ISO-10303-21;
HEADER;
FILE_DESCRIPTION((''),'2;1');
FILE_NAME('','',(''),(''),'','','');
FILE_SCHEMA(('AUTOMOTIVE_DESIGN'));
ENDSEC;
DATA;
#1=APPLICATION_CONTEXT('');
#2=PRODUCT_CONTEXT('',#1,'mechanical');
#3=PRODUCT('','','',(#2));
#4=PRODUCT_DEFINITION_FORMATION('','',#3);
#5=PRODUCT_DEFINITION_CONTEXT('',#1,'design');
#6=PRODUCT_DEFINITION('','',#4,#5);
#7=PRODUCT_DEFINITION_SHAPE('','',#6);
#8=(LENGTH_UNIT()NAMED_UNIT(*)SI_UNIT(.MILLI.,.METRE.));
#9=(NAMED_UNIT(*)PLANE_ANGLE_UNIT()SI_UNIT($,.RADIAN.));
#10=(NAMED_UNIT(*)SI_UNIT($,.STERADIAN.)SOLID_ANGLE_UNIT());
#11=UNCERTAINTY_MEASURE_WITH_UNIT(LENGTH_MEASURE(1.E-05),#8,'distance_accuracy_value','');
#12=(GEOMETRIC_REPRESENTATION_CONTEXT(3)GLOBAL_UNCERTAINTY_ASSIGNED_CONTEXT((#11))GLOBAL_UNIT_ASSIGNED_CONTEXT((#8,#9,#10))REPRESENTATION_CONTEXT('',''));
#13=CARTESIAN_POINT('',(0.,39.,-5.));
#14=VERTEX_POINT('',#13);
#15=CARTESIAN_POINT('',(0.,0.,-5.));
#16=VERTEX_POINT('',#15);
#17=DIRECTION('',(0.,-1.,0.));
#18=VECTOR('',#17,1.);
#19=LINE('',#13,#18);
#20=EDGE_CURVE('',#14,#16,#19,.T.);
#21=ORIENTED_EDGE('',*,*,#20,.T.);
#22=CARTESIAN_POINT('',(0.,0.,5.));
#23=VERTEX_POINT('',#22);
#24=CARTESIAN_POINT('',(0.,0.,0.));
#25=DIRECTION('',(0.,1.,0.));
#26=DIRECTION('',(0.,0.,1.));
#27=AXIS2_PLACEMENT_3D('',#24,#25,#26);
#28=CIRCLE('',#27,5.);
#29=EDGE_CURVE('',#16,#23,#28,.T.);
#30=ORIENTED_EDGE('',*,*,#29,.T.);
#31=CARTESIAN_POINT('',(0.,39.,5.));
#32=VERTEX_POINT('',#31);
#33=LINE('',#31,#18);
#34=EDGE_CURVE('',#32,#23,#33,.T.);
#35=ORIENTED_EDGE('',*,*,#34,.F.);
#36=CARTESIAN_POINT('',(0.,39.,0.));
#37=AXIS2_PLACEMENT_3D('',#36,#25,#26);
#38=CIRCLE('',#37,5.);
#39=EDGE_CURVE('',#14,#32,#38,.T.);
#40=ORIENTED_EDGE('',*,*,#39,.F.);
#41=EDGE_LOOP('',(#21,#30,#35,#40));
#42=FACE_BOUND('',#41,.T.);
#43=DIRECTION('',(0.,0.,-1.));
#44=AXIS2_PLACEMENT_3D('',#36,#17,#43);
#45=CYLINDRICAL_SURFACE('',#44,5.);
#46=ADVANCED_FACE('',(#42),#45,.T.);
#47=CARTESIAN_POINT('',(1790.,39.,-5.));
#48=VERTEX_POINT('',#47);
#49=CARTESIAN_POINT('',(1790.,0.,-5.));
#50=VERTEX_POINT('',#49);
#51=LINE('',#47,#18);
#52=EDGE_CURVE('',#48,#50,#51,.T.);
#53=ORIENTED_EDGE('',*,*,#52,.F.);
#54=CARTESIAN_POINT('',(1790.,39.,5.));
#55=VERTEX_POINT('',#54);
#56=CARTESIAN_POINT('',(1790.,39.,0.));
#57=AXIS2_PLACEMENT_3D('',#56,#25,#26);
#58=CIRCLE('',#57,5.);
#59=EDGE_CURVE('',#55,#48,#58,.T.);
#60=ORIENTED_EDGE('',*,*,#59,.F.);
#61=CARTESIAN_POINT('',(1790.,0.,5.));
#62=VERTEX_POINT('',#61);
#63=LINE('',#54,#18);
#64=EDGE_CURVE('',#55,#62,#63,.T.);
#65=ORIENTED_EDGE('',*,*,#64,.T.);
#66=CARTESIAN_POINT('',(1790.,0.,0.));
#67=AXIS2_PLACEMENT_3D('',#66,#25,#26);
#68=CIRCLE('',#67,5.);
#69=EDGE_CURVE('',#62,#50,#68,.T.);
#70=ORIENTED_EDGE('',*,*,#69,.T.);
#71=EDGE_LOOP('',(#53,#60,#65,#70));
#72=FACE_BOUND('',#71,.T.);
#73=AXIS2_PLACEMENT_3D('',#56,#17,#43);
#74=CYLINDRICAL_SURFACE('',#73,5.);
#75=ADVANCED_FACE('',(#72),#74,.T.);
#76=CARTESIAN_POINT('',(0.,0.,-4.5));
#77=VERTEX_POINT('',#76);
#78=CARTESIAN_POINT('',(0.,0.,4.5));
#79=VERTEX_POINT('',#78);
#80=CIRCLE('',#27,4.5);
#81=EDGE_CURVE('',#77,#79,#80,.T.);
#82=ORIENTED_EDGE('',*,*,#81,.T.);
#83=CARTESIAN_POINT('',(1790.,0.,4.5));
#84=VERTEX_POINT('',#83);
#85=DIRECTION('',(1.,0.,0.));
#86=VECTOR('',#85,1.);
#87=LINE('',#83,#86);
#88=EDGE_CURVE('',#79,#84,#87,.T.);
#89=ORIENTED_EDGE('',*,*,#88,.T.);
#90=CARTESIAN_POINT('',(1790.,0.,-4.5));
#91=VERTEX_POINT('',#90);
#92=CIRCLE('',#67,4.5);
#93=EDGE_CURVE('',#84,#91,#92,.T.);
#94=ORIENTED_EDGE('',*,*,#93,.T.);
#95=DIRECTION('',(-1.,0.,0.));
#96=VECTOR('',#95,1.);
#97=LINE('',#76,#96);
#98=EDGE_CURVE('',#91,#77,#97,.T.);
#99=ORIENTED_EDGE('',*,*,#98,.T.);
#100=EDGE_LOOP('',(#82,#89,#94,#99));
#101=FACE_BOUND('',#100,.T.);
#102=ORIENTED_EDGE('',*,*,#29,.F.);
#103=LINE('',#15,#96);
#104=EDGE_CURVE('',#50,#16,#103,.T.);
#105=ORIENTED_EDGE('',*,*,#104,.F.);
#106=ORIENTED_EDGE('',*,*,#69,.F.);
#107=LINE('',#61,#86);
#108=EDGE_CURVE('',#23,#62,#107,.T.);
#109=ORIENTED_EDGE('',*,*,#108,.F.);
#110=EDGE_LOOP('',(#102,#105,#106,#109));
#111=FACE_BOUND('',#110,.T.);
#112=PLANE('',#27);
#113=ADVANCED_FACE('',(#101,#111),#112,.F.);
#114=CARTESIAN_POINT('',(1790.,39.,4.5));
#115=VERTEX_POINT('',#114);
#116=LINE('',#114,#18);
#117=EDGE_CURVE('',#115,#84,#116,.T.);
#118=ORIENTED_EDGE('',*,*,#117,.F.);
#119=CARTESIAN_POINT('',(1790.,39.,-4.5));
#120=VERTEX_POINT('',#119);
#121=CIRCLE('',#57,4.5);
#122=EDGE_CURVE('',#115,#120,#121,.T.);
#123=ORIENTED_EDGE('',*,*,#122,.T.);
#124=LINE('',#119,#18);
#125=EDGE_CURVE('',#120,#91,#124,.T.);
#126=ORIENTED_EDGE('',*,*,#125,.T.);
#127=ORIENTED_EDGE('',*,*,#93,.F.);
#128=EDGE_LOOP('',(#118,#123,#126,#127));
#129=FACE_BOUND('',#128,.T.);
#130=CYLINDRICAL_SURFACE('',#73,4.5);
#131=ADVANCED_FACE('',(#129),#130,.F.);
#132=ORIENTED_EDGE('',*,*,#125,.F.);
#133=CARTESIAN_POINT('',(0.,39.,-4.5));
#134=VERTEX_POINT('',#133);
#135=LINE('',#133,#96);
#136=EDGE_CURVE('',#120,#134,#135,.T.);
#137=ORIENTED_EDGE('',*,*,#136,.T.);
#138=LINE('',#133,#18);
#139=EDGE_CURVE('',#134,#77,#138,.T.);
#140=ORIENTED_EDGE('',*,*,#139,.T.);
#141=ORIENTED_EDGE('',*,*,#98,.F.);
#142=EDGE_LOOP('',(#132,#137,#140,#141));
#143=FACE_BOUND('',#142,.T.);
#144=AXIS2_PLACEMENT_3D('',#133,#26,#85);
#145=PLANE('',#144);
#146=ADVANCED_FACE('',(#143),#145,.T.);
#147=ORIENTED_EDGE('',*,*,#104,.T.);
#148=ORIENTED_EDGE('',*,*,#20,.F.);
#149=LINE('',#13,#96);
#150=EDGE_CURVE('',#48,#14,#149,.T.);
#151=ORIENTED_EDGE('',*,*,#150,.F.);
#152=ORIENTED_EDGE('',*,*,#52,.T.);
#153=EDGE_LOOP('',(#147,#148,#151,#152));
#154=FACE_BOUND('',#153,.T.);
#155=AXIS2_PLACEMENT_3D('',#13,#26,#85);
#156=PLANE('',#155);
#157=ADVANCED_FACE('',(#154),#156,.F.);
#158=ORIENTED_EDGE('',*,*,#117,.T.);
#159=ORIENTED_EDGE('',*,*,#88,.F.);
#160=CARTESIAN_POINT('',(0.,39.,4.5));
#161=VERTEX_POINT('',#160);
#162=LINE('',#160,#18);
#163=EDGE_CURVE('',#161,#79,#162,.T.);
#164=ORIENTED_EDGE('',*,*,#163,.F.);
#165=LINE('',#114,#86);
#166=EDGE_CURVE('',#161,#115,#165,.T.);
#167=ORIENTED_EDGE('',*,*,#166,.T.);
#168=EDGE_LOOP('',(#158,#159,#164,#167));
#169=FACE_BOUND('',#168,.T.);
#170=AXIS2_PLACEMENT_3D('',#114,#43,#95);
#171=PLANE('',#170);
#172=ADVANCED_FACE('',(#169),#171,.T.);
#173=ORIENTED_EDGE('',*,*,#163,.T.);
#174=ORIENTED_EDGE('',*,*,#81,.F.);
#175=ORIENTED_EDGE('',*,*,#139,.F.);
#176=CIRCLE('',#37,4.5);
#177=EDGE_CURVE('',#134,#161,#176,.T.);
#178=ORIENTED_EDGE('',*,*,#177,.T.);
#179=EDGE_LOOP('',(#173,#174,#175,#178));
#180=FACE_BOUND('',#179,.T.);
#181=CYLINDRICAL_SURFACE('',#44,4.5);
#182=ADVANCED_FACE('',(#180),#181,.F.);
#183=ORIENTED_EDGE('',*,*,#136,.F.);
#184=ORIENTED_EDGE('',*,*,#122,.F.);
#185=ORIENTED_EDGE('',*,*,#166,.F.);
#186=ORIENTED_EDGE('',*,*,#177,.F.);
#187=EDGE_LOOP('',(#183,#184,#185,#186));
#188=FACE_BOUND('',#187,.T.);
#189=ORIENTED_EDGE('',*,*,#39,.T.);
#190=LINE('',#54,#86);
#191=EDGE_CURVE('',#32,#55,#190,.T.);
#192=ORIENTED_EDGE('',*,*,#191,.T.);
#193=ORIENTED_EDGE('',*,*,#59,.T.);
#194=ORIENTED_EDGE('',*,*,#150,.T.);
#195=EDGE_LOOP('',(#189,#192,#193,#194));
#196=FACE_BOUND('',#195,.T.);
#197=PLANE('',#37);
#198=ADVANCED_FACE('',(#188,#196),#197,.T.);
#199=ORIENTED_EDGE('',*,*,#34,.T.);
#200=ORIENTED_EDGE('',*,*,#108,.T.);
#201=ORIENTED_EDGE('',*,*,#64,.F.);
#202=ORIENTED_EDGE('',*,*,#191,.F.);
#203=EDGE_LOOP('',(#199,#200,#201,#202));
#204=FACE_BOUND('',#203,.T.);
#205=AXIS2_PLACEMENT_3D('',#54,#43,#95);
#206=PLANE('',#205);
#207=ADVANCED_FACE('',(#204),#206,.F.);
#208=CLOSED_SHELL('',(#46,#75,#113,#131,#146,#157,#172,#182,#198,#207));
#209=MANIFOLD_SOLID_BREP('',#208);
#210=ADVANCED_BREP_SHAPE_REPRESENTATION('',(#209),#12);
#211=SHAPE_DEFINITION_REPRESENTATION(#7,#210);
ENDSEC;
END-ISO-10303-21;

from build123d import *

# Parameters (mm, degrees)
EXTRUDE_1_DEPTH = 39


with BuildPart() as part:
    # 草图1 → 凸台-拉伸1 (new body)
    with BuildSketch(Plane(origin=(0, 0, 0), x_dir=(1, 0, 0), z_dir=(0, 1, 0))):
        with BuildLine():
            Line((0, 5), (1790, 5))
            ThreePointArc((1790, 5), (1795, 0), (1790, -5))
            Line((1790, -5), (0, -5))
            ThreePointArc((0, -5), (-5, 0), (0, 5))
        make_face()
        with BuildLine():
            Line((0, 4.5), (1790, 4.5))
            ThreePointArc((1790, 4.5), (1794.5, 0), (1790, -4.5))
            Line((1790, -4.5), (0, -4.5))
            ThreePointArc((0, -4.5), (-4.5, 0), (0, 4.5))
        make_face(mode=Mode.SUBTRACT)
    extrude(amount=EXTRUDE_1_DEPTH)


solid = part.part
